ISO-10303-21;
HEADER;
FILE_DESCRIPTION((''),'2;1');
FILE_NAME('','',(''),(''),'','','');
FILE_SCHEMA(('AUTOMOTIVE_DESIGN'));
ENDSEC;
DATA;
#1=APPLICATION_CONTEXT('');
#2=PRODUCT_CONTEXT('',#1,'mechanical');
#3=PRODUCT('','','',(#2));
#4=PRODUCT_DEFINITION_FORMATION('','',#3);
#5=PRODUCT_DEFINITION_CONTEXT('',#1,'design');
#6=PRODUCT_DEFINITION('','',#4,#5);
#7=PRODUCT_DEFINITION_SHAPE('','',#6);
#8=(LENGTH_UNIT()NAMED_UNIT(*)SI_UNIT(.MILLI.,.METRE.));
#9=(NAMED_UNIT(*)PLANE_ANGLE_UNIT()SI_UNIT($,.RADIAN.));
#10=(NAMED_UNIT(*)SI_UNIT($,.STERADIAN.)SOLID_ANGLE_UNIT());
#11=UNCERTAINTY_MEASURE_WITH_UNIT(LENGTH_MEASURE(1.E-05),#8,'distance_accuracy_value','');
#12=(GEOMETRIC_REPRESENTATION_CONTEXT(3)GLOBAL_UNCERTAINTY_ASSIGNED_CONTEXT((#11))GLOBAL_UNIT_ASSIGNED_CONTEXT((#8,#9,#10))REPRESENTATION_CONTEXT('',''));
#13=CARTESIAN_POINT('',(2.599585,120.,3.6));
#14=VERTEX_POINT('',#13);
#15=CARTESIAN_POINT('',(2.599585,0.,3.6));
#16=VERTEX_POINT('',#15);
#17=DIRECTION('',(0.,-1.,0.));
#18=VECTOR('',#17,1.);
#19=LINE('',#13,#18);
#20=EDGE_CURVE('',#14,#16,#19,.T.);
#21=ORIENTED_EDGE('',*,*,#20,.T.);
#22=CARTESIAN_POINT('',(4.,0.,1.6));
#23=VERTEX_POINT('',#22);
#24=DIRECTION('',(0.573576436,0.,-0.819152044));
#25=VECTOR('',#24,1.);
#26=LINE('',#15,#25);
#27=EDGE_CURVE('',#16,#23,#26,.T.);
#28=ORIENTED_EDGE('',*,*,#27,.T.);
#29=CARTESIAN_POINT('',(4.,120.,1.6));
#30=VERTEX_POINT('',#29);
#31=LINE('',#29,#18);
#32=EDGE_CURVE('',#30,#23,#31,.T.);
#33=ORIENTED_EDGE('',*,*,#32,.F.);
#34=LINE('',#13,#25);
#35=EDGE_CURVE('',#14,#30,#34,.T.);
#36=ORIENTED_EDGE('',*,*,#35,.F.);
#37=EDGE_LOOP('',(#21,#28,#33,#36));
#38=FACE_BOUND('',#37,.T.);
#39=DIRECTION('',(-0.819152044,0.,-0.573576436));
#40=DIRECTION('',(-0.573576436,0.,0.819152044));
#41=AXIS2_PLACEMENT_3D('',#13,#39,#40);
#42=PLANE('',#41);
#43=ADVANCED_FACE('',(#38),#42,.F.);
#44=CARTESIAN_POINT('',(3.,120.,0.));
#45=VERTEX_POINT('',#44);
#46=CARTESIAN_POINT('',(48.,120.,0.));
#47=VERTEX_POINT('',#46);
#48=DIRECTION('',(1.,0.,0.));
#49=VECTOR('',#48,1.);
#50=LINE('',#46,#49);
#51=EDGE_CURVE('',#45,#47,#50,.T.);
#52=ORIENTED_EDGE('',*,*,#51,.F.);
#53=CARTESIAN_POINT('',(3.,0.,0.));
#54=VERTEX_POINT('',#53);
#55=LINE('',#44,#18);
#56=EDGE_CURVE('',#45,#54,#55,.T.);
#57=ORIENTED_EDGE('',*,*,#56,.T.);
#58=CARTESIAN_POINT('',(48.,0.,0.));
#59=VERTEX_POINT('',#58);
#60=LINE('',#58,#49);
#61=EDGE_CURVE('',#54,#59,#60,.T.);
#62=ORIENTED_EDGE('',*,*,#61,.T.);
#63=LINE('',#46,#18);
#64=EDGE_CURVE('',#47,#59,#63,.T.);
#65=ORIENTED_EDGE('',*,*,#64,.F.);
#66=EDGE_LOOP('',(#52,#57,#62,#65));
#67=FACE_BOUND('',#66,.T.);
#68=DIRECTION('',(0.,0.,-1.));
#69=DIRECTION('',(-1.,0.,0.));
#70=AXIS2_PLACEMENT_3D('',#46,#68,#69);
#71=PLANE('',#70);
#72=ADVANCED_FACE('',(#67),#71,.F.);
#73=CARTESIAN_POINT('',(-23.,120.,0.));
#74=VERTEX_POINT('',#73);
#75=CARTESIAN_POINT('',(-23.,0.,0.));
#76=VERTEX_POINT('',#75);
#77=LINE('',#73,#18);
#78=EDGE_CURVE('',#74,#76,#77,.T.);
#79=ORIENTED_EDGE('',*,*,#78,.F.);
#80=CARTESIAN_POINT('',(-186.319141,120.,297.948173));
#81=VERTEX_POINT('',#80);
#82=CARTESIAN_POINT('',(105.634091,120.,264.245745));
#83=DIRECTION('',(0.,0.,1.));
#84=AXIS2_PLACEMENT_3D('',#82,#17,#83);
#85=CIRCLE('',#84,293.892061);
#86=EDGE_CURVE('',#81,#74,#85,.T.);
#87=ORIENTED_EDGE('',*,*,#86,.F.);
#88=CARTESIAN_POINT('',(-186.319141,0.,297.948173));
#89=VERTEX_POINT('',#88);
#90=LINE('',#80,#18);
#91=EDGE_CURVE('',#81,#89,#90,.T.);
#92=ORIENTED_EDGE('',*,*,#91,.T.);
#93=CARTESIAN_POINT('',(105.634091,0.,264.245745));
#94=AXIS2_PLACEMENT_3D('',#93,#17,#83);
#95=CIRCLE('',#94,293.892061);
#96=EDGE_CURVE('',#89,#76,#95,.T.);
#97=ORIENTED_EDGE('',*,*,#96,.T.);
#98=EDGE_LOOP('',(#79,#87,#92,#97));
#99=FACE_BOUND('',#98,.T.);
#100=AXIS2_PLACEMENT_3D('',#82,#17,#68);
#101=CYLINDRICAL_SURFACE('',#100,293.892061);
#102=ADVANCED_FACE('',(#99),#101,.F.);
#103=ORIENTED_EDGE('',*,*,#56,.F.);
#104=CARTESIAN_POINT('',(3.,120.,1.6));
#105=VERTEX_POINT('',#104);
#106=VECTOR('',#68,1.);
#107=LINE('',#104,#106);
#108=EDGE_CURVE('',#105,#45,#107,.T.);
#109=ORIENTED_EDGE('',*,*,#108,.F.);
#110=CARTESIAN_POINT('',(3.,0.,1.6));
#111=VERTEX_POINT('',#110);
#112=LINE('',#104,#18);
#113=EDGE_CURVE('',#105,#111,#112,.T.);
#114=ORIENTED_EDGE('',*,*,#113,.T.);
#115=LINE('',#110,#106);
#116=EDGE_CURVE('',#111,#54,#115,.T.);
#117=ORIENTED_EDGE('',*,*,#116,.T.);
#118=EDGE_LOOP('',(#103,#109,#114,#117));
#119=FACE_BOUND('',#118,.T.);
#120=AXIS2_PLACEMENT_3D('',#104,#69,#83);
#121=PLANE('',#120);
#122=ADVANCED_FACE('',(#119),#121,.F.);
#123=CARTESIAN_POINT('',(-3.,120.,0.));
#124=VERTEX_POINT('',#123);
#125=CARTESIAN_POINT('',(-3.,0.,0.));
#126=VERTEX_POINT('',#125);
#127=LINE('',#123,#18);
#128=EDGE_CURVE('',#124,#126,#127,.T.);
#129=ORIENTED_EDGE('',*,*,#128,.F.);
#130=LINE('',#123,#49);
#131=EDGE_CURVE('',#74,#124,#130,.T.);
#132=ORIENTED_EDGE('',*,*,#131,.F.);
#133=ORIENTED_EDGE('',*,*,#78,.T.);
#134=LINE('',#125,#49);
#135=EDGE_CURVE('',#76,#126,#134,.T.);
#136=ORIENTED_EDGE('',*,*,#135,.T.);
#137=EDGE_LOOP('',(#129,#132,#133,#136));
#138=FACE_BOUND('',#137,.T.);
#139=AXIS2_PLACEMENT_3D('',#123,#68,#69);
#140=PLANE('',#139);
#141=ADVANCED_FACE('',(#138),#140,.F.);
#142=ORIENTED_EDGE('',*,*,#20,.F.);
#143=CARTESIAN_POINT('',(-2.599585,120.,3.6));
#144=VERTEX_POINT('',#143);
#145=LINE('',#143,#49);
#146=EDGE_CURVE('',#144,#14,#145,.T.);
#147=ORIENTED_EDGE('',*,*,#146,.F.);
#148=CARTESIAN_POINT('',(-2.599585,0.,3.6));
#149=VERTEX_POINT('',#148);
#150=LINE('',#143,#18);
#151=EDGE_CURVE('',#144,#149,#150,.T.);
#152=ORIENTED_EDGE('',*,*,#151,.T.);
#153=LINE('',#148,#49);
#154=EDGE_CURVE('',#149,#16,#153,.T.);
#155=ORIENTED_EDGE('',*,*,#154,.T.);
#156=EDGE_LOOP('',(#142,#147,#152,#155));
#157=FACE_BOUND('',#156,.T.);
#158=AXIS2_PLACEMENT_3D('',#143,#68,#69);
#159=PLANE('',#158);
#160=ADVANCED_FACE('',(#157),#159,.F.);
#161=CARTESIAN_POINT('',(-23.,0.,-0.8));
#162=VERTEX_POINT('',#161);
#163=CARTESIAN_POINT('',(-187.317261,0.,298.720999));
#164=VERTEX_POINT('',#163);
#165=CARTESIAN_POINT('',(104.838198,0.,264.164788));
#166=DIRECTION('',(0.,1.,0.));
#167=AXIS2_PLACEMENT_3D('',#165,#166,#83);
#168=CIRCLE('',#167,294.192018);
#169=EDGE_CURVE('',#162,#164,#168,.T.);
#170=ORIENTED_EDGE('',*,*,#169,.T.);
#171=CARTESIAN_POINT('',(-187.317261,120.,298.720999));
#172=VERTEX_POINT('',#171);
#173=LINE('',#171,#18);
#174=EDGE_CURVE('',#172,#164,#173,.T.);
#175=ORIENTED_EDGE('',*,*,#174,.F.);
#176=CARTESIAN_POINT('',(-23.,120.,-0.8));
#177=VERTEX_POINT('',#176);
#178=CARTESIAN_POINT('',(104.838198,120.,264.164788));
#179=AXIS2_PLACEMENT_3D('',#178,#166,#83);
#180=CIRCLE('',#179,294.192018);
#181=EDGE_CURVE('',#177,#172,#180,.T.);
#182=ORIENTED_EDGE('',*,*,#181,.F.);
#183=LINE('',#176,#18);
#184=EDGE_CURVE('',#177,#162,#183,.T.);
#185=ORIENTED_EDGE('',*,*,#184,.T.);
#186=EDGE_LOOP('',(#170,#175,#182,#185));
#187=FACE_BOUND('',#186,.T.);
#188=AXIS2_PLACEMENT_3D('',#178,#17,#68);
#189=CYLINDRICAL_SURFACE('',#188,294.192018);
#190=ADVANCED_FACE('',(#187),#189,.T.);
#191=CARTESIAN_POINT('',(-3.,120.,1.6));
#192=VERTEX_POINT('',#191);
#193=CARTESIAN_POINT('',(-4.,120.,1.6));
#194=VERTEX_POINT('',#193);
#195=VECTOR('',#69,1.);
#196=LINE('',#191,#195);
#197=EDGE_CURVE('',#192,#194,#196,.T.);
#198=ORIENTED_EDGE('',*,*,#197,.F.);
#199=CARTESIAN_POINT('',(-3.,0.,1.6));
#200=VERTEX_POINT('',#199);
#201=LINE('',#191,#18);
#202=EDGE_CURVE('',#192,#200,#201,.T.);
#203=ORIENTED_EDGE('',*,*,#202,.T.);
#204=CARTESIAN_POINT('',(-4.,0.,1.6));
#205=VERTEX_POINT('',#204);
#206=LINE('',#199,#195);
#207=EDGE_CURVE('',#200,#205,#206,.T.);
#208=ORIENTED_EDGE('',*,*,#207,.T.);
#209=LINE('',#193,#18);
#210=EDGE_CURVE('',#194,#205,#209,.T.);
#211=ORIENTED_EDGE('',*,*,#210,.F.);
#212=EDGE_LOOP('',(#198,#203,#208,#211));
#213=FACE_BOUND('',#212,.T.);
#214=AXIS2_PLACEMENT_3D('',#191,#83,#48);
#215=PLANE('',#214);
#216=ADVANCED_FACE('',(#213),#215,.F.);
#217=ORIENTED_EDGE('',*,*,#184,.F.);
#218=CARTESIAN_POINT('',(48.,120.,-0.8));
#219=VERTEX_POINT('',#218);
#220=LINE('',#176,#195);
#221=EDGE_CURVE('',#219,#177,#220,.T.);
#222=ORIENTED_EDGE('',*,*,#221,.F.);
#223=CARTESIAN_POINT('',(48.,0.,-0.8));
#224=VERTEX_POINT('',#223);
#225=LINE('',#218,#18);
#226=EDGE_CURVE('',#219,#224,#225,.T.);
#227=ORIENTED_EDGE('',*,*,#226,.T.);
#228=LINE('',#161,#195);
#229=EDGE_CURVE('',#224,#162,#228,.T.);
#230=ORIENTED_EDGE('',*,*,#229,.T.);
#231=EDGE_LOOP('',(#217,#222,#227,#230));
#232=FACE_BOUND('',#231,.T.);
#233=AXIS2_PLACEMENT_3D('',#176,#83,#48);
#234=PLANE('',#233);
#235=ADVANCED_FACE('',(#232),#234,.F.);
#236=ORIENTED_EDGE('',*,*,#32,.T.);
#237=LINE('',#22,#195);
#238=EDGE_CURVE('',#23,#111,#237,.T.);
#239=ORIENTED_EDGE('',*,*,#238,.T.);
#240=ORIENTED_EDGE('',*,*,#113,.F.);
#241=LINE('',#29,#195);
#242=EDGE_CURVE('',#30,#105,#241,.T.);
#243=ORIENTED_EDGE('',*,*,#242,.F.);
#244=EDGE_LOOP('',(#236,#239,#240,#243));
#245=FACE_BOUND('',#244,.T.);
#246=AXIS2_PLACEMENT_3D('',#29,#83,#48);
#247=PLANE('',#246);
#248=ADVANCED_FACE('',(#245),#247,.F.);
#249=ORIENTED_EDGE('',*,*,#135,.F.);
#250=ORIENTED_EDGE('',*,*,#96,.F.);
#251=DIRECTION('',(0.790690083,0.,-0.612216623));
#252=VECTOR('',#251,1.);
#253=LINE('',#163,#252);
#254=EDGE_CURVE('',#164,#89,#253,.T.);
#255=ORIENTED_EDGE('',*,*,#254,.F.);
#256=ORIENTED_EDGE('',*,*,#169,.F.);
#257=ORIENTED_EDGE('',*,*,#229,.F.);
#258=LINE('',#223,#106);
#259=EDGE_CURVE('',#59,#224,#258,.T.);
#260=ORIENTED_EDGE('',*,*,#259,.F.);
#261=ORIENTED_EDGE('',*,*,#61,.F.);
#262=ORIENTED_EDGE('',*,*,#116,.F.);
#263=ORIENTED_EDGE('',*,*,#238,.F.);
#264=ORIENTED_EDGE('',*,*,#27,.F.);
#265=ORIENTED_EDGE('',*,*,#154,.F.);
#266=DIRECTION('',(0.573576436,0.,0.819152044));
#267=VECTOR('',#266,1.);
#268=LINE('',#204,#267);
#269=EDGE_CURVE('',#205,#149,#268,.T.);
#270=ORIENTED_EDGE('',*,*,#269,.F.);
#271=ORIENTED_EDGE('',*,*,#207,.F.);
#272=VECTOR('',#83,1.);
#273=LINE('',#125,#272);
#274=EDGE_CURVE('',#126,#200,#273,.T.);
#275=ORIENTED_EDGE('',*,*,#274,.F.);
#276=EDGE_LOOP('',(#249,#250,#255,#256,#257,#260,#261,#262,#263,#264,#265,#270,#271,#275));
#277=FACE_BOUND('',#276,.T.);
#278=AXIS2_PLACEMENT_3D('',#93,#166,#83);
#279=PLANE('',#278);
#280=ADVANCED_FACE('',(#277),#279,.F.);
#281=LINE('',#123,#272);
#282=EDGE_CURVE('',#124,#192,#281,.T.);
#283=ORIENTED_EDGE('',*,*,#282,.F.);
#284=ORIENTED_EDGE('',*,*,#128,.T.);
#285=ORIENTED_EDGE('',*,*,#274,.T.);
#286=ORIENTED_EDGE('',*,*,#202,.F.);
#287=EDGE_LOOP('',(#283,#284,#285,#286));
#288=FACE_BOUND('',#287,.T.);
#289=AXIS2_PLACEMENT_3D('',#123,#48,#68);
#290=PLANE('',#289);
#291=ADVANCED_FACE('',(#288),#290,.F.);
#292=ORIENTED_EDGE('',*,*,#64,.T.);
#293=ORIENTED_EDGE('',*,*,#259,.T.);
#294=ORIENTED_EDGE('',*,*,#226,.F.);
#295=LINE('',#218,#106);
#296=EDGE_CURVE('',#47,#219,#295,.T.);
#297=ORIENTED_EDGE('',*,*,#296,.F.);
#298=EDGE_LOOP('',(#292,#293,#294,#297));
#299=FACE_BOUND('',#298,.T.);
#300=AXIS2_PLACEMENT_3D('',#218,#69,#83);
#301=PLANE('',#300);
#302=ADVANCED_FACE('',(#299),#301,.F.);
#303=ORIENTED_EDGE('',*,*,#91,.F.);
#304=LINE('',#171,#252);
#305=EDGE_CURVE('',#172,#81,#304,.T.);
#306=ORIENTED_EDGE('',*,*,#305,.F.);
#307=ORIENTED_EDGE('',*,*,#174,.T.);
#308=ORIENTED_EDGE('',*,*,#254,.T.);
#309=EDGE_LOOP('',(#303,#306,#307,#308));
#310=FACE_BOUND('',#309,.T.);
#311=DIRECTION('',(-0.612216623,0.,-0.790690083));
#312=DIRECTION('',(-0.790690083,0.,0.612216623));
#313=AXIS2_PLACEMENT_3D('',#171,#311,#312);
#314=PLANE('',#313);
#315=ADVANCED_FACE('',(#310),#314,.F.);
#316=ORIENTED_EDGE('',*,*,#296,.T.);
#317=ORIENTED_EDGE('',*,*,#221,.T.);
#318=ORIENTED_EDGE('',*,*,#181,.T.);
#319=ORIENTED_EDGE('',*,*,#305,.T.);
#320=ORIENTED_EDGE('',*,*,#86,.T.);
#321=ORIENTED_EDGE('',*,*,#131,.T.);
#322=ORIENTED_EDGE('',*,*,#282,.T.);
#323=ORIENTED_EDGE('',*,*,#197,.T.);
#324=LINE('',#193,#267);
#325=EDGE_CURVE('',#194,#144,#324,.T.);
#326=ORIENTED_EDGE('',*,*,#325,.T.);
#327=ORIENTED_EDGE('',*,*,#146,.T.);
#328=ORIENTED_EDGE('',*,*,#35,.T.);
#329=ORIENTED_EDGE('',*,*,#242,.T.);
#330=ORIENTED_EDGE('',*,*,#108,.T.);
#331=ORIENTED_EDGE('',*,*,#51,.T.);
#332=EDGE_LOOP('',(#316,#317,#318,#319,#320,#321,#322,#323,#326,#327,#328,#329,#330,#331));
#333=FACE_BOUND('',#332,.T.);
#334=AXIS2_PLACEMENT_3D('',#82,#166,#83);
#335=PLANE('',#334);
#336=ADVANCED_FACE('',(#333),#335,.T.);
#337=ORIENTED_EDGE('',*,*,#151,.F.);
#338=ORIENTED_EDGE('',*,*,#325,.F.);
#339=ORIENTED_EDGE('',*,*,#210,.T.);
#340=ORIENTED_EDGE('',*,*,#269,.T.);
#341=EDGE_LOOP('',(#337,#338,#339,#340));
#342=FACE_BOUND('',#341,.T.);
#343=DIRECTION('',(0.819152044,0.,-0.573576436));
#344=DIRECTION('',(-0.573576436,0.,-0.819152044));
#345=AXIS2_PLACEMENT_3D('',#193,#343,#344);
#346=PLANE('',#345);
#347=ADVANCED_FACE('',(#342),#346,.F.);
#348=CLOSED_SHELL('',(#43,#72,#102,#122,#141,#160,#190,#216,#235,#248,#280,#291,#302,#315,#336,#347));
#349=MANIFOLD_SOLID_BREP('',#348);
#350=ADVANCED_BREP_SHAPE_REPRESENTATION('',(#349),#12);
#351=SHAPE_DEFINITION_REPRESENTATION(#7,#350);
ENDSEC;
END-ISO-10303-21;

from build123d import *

# Parameters (mm, degrees)
BOSS_EXTRUDE1_DEPTH = 120


with BuildPart() as part:
    # Sketch1 → Boss-Extrude1 (new body)
    with BuildSketch(Plane(origin=(0, 0, 0), x_dir=(1, 0, 0), z_dir=(0, 1, 0))):
        with BuildLine():
            Line((-3, 0), (-3, -1.6))
            Line((-3, -1.6), (-4, -1.6))
            Line((-4, -1.6), (-2.599584924, -3.6))
            Line((-2.599584924, -3.6), (2.599584924, -3.6))
            Line((2.599584924, -3.6), (4, -1.6))
            Line((4, -1.6), (3, -1.6))
            Line((3, -1.6), (3, 0))
            Line((3, 0), (48, 0))
            Line((48, 0), (48, 0.8))
            Line((48, 0.8), (-23, 0.8))
            ThreePointArc((-23, 0.8), (-153.089844763, -122.665428697), (-187.317261189, -298.720998783))
            Line((-187.317261189, -298.720998783), (-186.319141297, -297.948173118))
            ThreePointArc((-186.319141297, -297.948173118), (-152.080290875, -122.980601765), (-23, 0))
            Line((-23, 0), (-3, 0))
        make_face()
    extrude(amount=BOSS_EXTRUDE1_DEPTH)


solid = part.part
